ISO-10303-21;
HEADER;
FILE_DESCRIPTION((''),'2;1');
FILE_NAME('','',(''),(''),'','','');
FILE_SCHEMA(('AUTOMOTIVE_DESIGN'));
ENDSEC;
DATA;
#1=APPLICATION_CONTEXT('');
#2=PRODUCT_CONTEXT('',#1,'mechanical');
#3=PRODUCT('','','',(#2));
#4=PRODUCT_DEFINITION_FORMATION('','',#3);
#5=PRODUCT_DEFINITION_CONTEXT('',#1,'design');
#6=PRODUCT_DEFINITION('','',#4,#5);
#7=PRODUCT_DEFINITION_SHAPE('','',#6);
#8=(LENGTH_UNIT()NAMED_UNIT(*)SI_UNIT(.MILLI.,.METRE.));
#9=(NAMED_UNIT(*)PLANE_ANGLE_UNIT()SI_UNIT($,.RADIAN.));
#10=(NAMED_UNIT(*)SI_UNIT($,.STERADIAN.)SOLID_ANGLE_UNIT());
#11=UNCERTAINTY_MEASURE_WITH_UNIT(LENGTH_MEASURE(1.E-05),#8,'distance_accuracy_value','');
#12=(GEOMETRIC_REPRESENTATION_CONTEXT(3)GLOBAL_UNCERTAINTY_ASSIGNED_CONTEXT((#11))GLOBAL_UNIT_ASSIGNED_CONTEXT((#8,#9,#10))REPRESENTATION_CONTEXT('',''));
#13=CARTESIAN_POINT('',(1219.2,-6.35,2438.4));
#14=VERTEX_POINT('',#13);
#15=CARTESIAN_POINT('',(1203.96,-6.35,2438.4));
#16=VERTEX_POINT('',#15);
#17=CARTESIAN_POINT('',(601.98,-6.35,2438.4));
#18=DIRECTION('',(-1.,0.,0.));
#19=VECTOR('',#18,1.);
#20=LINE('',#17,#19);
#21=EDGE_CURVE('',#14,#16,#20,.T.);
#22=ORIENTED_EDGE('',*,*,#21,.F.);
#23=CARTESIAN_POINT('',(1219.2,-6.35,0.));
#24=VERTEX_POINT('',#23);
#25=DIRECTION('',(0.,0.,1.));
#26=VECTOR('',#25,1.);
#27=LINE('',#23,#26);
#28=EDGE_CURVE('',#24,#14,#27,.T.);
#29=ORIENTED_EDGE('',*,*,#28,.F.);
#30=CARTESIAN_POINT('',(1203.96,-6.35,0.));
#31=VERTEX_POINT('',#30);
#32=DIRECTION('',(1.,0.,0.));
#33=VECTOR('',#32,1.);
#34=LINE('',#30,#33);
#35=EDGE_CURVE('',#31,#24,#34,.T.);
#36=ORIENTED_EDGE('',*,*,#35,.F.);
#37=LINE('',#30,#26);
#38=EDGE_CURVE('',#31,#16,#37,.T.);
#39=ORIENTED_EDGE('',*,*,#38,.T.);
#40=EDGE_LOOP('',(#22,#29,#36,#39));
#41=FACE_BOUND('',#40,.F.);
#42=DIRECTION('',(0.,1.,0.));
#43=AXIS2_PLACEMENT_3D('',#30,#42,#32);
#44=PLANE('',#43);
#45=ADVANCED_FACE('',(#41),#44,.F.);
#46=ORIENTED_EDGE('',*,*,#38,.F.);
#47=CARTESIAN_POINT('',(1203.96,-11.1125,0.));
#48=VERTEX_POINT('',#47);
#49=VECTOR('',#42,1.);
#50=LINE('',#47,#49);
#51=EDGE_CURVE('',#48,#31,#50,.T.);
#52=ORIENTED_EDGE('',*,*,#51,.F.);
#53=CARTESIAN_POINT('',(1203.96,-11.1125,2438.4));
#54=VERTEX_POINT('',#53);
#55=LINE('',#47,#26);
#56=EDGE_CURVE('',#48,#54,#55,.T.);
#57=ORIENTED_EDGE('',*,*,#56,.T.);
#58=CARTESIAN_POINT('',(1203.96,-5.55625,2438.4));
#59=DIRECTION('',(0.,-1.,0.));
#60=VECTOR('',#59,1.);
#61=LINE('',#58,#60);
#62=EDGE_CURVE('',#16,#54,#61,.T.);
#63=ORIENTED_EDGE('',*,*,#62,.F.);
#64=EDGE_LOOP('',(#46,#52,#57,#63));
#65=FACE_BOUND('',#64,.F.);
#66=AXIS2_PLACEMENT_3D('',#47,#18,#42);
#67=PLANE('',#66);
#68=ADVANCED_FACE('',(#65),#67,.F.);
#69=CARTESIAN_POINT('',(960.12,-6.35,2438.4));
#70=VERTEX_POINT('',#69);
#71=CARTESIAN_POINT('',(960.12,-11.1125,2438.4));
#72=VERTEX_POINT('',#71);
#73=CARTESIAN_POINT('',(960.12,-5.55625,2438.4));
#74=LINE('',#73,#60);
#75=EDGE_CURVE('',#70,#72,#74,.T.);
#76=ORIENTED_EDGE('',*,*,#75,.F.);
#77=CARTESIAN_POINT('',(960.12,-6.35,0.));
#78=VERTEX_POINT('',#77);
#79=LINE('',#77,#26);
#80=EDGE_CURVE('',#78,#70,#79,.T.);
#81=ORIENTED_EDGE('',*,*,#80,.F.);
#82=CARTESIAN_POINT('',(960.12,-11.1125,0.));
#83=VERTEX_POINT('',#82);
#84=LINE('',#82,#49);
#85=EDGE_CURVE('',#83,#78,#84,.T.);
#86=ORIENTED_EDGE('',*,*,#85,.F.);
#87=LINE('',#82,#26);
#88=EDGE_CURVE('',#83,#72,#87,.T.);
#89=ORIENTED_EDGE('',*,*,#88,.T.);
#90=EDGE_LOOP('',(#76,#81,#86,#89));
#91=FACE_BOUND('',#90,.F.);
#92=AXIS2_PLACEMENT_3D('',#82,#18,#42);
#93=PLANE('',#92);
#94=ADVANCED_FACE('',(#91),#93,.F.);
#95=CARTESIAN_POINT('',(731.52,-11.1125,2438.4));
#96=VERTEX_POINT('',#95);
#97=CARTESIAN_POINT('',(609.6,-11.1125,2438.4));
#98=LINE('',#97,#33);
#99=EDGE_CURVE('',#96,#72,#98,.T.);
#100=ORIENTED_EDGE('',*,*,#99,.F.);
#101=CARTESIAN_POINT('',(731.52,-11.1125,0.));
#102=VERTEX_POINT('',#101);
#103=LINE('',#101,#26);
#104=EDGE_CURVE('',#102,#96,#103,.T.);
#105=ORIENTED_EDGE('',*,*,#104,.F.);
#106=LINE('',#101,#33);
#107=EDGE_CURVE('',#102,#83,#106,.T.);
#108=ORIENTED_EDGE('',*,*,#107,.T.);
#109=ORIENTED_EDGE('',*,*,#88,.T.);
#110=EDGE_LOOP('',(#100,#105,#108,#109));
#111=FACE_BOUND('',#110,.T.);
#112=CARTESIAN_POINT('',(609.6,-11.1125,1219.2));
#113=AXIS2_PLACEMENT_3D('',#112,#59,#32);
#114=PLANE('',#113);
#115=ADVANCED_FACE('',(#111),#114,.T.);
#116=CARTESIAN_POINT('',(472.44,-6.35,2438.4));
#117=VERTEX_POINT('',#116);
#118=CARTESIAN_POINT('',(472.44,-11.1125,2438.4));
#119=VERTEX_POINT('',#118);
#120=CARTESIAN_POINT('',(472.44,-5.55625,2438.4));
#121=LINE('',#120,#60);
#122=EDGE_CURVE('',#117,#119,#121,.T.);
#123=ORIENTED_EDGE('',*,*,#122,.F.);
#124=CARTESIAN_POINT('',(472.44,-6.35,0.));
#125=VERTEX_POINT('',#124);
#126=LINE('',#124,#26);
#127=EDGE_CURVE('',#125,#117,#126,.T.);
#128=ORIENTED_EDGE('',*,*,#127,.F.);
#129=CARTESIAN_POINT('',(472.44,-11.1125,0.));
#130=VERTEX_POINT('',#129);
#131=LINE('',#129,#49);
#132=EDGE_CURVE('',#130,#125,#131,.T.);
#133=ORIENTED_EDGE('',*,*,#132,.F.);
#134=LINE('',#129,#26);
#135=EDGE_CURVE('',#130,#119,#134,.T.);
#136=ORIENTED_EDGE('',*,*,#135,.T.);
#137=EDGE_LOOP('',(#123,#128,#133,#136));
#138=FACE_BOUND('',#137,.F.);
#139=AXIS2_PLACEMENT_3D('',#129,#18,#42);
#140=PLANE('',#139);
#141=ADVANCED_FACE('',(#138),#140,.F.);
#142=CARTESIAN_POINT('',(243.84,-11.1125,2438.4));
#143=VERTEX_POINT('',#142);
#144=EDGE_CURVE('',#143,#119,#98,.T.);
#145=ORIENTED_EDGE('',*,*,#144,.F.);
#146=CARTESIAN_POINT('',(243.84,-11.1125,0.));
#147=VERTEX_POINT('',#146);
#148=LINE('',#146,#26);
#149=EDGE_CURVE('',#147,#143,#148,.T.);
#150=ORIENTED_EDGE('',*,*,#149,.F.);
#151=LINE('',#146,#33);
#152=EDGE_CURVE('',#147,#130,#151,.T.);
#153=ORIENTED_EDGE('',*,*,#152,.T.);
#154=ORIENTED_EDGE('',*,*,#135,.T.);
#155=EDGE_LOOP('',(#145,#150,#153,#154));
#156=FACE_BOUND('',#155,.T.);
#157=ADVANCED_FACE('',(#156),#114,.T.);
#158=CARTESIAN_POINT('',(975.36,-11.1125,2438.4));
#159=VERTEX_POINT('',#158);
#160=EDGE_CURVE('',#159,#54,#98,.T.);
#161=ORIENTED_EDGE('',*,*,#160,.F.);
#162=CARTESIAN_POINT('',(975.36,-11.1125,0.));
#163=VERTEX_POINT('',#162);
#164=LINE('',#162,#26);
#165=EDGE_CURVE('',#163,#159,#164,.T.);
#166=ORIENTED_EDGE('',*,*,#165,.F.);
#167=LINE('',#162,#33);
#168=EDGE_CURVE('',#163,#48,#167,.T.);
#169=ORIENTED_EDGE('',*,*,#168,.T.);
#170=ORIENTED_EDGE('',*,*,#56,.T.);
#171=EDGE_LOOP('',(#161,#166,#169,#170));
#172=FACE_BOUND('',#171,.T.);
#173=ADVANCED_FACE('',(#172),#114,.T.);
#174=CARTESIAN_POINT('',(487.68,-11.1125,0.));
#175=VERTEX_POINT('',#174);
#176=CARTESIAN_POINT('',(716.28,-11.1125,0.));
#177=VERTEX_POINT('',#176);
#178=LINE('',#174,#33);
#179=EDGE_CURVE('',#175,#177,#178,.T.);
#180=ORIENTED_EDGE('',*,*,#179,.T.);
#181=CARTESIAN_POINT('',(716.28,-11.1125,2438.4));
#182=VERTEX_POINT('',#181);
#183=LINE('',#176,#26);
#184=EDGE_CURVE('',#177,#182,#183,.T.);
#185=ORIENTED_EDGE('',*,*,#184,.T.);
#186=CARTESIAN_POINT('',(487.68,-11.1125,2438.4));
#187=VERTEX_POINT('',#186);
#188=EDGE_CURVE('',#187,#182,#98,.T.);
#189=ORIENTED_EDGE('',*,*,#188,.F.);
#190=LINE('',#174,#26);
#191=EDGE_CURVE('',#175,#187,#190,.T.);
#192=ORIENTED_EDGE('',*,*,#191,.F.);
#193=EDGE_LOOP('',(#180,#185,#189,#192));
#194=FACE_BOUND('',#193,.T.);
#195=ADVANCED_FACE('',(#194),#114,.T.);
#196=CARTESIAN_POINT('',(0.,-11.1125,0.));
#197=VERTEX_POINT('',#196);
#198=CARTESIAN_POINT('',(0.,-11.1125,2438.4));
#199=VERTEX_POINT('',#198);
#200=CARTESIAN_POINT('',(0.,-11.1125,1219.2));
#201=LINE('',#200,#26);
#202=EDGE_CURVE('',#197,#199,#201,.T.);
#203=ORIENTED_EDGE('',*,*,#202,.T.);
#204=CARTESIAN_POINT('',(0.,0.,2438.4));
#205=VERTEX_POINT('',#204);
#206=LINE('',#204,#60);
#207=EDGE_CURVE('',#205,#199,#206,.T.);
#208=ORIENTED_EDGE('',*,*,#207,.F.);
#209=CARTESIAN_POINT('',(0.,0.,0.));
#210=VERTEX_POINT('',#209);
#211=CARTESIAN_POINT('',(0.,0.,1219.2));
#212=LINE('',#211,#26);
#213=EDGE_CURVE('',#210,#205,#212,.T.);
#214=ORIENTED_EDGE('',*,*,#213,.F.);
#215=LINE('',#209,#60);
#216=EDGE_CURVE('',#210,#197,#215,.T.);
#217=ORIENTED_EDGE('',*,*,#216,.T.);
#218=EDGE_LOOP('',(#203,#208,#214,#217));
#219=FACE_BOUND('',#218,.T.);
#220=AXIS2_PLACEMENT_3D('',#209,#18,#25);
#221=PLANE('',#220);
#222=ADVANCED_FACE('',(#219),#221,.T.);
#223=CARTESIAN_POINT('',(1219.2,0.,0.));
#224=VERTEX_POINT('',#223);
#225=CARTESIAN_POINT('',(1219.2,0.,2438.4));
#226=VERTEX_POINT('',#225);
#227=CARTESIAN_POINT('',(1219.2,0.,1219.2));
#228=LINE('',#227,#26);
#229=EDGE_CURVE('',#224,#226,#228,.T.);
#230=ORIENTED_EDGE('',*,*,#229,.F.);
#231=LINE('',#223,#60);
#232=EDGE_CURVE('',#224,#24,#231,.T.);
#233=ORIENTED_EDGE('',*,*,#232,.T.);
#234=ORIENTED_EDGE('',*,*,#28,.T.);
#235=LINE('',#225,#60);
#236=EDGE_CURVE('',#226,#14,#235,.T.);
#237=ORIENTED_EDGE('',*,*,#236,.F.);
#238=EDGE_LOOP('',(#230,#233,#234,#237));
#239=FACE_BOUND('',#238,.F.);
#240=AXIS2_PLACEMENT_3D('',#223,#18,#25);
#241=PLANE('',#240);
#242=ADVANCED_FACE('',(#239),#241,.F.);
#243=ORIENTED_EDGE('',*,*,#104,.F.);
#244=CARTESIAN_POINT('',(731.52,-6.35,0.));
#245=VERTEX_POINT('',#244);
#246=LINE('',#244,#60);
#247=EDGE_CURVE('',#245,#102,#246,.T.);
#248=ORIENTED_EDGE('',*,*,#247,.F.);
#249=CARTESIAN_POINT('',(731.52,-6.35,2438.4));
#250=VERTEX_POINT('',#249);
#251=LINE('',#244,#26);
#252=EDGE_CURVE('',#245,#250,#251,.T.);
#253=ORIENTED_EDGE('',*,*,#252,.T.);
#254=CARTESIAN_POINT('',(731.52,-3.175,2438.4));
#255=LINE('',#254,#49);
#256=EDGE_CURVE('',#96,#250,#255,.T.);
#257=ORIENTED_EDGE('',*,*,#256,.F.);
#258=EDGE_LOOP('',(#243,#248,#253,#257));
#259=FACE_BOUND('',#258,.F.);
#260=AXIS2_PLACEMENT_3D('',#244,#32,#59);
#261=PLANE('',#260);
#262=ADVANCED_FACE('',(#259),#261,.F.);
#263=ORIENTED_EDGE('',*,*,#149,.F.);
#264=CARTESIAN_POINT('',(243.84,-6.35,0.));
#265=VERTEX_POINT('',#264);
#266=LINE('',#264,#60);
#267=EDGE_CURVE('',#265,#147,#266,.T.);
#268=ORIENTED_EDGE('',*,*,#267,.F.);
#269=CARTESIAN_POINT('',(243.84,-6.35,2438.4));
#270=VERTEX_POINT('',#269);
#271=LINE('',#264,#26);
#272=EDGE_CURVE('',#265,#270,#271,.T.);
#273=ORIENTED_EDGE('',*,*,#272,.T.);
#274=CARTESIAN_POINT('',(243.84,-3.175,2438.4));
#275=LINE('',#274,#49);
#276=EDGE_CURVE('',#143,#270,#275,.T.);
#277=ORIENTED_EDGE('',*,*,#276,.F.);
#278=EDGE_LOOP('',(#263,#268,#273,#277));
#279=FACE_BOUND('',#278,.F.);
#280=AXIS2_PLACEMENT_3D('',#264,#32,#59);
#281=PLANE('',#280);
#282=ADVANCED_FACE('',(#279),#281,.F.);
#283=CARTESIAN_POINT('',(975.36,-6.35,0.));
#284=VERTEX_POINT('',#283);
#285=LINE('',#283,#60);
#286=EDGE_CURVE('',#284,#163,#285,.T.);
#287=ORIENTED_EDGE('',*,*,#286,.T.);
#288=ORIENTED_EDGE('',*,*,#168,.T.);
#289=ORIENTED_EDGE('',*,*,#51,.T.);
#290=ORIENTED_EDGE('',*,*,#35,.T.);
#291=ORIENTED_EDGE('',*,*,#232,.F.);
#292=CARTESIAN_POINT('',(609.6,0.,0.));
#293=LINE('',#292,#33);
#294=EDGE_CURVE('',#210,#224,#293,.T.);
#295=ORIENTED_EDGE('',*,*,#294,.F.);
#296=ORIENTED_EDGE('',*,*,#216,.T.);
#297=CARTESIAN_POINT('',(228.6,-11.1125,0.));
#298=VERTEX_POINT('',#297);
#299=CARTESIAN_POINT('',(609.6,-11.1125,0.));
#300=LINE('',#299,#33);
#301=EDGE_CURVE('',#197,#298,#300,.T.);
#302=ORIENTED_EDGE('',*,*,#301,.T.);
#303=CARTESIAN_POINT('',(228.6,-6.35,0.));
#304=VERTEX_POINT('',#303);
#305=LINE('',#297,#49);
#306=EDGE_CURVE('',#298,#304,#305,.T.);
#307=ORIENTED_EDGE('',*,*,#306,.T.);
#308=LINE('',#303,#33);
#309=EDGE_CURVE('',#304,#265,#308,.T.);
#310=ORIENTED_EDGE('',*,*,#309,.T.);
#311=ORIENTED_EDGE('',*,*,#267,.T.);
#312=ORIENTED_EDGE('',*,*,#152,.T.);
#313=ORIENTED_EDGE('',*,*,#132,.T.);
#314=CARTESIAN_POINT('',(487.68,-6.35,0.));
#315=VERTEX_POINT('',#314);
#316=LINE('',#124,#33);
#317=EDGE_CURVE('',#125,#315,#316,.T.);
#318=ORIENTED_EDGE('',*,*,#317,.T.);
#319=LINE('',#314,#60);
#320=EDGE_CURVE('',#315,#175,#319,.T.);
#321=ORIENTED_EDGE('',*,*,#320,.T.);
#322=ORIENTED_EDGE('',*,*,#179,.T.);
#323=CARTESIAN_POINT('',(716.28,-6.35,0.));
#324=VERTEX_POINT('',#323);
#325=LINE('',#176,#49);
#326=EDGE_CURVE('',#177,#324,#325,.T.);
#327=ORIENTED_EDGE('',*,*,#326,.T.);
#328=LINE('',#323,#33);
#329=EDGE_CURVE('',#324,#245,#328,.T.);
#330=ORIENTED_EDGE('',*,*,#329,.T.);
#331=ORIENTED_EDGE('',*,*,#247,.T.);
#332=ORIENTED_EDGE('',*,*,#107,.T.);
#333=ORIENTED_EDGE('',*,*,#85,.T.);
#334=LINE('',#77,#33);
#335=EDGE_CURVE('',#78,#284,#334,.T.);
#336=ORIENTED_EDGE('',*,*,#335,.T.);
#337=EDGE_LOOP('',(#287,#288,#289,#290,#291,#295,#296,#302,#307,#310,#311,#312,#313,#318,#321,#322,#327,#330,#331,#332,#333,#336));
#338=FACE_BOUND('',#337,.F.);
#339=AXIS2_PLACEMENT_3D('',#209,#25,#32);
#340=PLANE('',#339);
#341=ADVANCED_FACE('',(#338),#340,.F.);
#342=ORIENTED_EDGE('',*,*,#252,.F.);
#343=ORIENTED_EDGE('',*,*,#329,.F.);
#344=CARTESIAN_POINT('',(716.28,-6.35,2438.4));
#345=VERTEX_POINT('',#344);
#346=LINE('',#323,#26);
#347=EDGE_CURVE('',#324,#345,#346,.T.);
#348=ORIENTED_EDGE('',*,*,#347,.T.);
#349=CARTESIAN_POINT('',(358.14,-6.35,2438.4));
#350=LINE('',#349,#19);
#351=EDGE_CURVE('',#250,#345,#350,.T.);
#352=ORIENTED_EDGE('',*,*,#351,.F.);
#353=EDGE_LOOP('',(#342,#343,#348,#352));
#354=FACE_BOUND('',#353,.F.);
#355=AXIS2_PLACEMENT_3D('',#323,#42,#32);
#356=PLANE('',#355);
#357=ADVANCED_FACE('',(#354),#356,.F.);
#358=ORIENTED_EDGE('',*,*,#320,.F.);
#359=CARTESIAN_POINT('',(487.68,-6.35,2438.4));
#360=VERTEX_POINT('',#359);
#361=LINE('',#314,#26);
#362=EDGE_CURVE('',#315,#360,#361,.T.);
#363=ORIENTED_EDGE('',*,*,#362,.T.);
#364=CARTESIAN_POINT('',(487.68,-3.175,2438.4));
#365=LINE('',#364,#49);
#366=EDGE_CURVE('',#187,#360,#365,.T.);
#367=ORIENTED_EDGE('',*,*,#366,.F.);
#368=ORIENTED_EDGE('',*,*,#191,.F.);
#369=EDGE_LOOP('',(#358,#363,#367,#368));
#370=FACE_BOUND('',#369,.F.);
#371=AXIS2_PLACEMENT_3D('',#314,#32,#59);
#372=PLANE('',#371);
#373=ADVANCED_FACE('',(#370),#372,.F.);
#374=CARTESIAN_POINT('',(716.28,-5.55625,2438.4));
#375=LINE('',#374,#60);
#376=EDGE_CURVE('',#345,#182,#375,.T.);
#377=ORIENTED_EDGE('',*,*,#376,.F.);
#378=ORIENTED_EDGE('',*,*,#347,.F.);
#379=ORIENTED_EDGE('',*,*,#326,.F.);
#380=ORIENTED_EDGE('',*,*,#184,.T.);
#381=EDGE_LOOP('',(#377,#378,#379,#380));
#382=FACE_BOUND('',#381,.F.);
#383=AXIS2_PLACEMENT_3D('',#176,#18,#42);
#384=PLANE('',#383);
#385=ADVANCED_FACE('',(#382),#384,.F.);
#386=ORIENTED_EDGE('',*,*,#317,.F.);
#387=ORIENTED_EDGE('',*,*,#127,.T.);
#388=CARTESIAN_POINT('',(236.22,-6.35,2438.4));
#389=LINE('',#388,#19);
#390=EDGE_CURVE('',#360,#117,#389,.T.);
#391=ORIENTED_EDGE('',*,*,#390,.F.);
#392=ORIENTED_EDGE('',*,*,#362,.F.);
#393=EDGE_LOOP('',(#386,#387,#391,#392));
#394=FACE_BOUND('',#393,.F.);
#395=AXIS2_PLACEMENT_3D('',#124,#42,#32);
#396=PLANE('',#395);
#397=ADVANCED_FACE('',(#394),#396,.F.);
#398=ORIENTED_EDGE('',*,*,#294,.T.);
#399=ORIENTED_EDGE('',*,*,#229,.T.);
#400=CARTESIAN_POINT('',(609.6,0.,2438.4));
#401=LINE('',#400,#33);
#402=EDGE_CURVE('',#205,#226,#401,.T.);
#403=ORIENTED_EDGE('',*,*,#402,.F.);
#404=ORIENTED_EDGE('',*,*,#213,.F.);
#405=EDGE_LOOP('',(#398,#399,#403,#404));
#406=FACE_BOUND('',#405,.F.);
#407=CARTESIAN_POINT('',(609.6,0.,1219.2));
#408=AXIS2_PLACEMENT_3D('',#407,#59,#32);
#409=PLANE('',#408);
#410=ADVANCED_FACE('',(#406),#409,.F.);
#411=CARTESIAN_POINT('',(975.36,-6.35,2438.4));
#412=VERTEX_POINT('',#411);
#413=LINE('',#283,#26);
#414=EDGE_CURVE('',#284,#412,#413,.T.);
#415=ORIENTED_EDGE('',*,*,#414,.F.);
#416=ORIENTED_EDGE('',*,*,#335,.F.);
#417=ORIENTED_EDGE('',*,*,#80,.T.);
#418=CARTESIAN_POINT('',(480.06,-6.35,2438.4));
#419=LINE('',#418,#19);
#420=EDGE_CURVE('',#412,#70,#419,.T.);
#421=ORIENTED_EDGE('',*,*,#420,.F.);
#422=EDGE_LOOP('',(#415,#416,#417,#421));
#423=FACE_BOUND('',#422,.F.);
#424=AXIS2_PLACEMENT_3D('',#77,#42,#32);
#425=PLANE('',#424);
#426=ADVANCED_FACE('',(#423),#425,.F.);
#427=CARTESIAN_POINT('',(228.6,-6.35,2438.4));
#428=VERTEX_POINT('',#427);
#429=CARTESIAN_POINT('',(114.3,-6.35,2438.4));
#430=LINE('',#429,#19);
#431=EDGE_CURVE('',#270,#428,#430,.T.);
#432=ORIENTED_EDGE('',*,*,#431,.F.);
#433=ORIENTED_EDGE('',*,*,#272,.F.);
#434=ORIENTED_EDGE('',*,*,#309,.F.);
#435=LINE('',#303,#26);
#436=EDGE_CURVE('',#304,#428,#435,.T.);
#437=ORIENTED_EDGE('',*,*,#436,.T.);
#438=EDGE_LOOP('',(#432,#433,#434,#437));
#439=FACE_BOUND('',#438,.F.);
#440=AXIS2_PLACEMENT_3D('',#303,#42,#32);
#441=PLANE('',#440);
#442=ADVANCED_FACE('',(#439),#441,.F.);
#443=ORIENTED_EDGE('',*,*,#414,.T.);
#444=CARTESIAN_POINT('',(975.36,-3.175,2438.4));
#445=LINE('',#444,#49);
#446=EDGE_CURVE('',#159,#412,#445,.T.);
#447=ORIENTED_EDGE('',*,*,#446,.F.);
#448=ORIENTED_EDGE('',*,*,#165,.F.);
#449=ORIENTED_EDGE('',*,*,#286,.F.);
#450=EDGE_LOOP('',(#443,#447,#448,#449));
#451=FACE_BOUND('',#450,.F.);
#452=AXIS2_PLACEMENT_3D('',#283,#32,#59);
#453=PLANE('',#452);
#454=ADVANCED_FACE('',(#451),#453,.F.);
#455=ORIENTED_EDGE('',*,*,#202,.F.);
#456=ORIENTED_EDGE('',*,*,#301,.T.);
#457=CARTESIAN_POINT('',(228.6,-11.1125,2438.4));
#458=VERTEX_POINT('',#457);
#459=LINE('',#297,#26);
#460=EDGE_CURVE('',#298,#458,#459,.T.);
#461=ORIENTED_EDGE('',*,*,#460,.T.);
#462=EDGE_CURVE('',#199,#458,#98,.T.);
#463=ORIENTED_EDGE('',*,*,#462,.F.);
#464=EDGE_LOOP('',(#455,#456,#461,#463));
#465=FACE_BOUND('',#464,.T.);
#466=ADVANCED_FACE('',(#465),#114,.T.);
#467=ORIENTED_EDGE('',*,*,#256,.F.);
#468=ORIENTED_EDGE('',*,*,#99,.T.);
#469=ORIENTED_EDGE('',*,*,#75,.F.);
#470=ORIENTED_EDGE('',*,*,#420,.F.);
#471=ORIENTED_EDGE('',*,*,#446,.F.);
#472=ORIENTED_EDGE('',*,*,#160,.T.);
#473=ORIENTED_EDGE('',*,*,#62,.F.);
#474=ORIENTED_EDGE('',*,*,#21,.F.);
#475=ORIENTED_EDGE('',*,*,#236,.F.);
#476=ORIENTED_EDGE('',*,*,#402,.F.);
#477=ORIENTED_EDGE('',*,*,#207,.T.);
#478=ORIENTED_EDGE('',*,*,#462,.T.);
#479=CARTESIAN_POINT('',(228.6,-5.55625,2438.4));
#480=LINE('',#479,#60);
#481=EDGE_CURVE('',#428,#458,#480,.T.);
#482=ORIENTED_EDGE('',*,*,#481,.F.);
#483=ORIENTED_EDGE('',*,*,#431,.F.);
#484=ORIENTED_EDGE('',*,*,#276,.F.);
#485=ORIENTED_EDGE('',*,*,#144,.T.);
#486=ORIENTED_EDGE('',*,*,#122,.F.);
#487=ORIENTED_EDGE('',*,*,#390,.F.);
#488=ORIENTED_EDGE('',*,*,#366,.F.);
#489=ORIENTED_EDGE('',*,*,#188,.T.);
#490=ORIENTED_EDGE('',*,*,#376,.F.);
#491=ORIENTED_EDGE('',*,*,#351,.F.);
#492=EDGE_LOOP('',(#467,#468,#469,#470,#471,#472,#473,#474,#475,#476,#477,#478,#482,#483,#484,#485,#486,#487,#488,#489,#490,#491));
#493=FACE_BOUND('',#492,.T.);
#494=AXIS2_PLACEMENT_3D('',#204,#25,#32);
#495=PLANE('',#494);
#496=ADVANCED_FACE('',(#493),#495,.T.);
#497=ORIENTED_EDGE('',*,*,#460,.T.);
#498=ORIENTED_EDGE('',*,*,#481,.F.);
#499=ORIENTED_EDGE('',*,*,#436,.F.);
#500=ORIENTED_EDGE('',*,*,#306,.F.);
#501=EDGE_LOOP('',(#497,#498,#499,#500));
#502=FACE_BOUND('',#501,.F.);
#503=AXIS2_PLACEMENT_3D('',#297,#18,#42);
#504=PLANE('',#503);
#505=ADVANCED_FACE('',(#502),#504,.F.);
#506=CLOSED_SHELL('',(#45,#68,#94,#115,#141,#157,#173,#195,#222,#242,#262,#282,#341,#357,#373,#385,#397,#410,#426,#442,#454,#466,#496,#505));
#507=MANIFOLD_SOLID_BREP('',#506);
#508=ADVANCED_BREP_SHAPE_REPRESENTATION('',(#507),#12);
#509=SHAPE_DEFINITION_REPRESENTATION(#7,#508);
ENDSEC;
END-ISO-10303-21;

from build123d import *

# Parameters (mm, degrees)
F0_W     = 1219.2
F0_H     = 2438.4
F1_DEPTH = 11.1125
F3_DEPTH = 2540


with BuildPart() as f1:
    # F0 (on Front) → F1 (new body)
    with BuildSketch(Plane.XZ):
        with Locations((609.6, 1219.2)):
            Rectangle(F0_W, F0_H)
    extrude(amount=F1_DEPTH)

    # F2 (on face) → F3 (cut)
    with BuildSketch(Plane(origin=(0, 0, 0), x_dir=(1, 0, 0), z_dir=(0, 0, -1))):
        Polygon((0, 32.127548), (0, 11.1125), (228.6, 11.1125), (228.6, 6.35), (243.84, 6.35), (243.84, 11.1125), (472.44, 11.1125), (472.44, 6.35), (487.68, 6.35), (487.68, 11.1125), (716.28, 11.1125), (716.28, 6.35), (731.52, 6.35), (731.52, 11.1125), (960.12, 11.1125), (960.12, 6.35), (975.36, 6.35), (975.36, 11.1125), (1203.96, 11.1125), (1203.96, 6.35), (1219.2, 6.35), (1219.2, 25.300512), align=None)
    extrude(amount=-F3_DEPTH, mode=Mode.SUBTRACT)


solid = f1.part
